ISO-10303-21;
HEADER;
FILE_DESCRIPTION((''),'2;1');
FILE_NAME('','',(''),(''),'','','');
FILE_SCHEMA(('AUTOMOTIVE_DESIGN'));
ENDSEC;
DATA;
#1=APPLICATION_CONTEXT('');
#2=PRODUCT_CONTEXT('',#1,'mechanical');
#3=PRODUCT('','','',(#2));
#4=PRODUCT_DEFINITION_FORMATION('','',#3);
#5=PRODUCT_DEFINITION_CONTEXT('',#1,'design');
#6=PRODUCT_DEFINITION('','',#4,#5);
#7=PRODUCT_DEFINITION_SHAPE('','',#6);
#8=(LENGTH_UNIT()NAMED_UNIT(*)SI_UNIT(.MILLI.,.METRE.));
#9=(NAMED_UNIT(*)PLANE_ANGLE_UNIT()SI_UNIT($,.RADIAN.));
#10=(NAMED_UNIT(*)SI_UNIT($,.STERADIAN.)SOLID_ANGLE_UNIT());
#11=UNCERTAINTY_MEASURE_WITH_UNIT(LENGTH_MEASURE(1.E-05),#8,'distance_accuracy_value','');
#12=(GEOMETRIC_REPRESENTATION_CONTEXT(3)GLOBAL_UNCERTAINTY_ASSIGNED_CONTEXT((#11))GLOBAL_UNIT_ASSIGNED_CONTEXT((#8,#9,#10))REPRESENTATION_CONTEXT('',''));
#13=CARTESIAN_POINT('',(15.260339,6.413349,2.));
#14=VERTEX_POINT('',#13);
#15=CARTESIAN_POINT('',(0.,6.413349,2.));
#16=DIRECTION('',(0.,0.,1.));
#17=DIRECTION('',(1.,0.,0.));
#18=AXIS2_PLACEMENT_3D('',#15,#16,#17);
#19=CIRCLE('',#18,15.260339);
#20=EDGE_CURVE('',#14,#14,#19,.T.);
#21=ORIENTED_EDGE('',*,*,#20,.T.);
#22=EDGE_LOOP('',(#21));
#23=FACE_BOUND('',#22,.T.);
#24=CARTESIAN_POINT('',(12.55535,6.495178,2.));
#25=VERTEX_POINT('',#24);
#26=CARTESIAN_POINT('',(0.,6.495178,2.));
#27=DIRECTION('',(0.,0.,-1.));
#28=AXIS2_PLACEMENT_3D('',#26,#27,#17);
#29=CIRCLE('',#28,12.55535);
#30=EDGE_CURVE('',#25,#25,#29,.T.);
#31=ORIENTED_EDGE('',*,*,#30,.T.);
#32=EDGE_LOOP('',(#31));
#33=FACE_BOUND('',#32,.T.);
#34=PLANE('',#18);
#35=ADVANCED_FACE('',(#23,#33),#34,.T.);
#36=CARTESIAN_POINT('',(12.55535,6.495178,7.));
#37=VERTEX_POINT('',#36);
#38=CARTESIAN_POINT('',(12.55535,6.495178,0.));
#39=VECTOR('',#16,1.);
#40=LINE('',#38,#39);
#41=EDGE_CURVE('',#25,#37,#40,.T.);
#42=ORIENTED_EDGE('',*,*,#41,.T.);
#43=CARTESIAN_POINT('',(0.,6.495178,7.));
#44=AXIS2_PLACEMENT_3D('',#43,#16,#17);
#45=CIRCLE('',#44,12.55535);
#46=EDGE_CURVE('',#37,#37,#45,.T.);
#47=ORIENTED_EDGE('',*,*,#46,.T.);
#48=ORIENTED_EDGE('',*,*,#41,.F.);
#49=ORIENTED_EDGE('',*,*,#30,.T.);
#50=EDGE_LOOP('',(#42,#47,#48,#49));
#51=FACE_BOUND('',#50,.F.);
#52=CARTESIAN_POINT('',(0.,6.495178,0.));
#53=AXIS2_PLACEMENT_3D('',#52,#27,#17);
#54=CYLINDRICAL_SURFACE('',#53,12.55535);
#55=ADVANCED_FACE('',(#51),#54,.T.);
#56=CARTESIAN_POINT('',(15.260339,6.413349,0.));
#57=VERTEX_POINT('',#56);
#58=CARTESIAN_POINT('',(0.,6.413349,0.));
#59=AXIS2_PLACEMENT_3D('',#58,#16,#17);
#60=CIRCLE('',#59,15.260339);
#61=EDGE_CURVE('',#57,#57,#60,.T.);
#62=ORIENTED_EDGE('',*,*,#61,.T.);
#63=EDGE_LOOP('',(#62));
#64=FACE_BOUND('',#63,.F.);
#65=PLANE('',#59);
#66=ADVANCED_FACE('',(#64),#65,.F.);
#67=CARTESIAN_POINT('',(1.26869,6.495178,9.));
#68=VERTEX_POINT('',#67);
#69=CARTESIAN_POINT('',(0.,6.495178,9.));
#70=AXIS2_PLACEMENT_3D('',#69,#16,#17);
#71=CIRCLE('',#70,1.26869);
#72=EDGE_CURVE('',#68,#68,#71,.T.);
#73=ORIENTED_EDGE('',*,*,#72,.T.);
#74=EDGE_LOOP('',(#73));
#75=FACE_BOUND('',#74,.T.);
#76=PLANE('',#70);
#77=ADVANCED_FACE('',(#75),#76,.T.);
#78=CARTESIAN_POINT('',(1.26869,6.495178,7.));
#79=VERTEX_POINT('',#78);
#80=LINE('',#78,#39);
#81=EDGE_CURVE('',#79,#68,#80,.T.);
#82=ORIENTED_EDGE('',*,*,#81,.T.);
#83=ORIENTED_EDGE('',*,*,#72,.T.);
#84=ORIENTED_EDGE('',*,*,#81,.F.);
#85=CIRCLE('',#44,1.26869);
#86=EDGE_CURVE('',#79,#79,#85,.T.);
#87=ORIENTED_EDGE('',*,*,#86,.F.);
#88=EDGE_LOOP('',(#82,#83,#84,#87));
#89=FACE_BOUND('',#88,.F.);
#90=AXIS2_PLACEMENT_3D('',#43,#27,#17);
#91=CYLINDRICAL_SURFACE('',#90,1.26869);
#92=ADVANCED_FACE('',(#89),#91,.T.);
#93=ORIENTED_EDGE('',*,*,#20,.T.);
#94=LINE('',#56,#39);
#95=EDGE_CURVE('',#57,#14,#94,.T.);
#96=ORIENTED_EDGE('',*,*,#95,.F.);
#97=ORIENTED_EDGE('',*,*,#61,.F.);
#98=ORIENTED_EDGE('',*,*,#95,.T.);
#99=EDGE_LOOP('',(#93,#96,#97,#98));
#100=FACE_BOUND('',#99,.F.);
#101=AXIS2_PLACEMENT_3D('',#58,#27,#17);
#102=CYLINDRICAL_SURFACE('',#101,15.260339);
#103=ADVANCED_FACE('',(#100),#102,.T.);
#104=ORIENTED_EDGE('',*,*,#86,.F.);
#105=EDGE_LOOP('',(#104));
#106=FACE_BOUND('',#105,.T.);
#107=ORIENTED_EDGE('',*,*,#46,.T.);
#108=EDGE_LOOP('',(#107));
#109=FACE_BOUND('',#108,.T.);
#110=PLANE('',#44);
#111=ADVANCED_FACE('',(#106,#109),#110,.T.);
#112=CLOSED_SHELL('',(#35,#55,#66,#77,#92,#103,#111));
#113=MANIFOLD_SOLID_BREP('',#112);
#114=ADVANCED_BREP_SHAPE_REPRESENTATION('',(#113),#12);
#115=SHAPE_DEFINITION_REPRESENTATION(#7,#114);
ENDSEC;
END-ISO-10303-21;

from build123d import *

# Parameters (mm, degrees)
F0_R     = 12.55535
F2_DEPTH = 7
F1_R     = 15.260339
F3_DEPTH = 2
F4_R     = 1.26869
F5_DEPTH = 2


with BuildPart() as f2:
    # F0 (on Top) → F2 (new body)
    with BuildSketch(Plane.XY):
        with Locations((0, 6.495178)):
            Circle(F0_R)
    extrude(amount=F2_DEPTH)

    # F1 (on Top) → F3 (join)
    with BuildSketch(Plane.XY):
        with Locations((0, 6.413349)):
            Circle(F1_R)
    extrude(amount=F3_DEPTH)

    # F4 (on face) → F5 (join)
    with BuildSketch(Plane.XY.offset(7)):
        with Locations((0, 6.495178)):
            Circle(F4_R)
    extrude(amount=F5_DEPTH)


solid = f2.part
